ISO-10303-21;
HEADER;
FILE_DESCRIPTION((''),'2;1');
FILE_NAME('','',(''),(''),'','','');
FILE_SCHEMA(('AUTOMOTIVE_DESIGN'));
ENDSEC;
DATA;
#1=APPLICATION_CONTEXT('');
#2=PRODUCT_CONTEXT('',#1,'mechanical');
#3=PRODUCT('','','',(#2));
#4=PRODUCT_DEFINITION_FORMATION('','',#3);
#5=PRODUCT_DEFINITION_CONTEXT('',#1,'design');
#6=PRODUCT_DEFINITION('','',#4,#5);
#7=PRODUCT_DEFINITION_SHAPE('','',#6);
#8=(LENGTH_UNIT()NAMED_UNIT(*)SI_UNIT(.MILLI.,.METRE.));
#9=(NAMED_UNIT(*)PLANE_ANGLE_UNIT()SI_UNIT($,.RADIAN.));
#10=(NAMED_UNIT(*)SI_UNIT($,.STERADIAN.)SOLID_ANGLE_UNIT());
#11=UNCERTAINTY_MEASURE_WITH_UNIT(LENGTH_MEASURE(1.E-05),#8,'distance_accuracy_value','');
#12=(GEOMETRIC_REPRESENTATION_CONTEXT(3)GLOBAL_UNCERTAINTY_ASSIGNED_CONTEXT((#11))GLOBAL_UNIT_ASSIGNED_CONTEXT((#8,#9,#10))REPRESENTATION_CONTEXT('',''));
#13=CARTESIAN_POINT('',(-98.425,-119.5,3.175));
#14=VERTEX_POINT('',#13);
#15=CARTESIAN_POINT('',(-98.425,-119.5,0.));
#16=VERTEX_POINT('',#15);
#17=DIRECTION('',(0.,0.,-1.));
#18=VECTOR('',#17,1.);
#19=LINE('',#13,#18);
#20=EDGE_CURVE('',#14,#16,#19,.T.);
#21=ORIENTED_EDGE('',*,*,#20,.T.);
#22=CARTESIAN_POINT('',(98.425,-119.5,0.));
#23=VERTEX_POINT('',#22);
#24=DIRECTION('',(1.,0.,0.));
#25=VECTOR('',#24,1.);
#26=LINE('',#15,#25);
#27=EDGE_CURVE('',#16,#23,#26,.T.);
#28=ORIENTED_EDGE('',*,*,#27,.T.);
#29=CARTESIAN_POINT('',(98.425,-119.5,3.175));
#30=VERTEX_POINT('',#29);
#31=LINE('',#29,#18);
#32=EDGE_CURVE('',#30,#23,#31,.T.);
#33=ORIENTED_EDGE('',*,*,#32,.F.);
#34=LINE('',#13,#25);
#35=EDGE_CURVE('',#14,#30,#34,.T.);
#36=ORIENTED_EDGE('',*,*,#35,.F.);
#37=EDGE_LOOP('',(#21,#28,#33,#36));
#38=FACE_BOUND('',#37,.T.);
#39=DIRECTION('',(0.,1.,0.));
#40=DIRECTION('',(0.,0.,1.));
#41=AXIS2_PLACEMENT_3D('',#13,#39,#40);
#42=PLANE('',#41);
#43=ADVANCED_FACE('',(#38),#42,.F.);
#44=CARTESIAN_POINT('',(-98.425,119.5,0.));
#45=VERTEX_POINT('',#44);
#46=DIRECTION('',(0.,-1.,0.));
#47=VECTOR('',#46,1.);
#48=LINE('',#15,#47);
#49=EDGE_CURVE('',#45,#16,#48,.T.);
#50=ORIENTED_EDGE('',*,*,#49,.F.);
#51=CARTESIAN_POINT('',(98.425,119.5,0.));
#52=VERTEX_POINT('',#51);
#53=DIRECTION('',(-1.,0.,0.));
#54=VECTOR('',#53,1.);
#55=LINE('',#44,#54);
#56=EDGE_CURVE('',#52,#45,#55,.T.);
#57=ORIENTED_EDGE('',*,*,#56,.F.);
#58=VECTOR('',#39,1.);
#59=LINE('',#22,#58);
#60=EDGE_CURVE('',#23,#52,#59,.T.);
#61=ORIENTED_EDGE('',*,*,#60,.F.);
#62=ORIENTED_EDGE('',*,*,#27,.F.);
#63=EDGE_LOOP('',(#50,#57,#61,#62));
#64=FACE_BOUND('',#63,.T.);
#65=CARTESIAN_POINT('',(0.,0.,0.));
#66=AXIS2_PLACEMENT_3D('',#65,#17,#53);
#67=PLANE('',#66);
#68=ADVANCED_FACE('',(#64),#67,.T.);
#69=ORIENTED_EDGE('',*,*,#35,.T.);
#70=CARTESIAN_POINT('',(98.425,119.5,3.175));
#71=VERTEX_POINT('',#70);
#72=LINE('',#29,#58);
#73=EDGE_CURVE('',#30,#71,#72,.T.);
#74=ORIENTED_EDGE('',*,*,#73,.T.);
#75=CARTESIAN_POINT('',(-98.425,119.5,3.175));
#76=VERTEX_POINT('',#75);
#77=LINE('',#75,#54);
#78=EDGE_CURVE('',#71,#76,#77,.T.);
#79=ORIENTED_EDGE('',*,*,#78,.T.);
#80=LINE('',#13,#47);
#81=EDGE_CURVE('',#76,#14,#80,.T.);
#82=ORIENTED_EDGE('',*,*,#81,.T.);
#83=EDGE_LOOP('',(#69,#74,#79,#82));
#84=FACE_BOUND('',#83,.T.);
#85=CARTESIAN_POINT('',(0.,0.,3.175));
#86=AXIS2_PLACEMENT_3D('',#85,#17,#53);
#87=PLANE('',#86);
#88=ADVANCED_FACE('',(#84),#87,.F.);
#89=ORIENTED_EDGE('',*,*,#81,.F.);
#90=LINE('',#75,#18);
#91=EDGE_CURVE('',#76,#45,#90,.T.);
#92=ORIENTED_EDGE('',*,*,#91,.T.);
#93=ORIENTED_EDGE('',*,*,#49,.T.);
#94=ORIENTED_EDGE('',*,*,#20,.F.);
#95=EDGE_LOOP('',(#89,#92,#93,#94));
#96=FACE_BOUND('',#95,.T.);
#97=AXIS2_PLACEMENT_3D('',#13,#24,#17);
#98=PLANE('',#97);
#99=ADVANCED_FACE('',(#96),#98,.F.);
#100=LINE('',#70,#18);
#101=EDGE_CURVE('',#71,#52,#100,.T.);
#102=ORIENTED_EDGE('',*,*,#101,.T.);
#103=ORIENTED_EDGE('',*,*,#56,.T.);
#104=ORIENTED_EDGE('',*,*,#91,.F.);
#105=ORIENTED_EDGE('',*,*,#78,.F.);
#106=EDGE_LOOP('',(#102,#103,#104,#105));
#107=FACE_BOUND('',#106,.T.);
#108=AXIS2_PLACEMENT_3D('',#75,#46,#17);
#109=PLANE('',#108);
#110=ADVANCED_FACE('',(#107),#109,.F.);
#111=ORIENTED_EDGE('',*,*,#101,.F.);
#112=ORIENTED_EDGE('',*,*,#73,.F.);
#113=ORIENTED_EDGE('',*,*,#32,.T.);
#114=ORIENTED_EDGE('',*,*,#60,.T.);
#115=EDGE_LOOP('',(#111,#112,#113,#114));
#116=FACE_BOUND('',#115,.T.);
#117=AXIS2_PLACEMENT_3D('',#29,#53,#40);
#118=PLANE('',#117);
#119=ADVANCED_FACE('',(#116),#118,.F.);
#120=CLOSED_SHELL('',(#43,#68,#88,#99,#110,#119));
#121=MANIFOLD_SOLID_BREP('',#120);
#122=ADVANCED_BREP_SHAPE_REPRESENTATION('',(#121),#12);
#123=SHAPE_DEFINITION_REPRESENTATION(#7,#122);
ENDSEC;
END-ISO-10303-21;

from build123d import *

# Parameters (mm, degrees)
SKETCH1_W           = 196.85
SKETCH1_H           = 239
BOSS_EXTRUDE1_DEPTH = 3.175


with BuildPart() as part:
    # Sketch1 → Boss-Extrude1 (new body)
    with BuildSketch(Plane.XY):
        Rectangle(SKETCH1_W, SKETCH1_H)
    extrude(amount=BOSS_EXTRUDE1_DEPTH)


solid = part.part
